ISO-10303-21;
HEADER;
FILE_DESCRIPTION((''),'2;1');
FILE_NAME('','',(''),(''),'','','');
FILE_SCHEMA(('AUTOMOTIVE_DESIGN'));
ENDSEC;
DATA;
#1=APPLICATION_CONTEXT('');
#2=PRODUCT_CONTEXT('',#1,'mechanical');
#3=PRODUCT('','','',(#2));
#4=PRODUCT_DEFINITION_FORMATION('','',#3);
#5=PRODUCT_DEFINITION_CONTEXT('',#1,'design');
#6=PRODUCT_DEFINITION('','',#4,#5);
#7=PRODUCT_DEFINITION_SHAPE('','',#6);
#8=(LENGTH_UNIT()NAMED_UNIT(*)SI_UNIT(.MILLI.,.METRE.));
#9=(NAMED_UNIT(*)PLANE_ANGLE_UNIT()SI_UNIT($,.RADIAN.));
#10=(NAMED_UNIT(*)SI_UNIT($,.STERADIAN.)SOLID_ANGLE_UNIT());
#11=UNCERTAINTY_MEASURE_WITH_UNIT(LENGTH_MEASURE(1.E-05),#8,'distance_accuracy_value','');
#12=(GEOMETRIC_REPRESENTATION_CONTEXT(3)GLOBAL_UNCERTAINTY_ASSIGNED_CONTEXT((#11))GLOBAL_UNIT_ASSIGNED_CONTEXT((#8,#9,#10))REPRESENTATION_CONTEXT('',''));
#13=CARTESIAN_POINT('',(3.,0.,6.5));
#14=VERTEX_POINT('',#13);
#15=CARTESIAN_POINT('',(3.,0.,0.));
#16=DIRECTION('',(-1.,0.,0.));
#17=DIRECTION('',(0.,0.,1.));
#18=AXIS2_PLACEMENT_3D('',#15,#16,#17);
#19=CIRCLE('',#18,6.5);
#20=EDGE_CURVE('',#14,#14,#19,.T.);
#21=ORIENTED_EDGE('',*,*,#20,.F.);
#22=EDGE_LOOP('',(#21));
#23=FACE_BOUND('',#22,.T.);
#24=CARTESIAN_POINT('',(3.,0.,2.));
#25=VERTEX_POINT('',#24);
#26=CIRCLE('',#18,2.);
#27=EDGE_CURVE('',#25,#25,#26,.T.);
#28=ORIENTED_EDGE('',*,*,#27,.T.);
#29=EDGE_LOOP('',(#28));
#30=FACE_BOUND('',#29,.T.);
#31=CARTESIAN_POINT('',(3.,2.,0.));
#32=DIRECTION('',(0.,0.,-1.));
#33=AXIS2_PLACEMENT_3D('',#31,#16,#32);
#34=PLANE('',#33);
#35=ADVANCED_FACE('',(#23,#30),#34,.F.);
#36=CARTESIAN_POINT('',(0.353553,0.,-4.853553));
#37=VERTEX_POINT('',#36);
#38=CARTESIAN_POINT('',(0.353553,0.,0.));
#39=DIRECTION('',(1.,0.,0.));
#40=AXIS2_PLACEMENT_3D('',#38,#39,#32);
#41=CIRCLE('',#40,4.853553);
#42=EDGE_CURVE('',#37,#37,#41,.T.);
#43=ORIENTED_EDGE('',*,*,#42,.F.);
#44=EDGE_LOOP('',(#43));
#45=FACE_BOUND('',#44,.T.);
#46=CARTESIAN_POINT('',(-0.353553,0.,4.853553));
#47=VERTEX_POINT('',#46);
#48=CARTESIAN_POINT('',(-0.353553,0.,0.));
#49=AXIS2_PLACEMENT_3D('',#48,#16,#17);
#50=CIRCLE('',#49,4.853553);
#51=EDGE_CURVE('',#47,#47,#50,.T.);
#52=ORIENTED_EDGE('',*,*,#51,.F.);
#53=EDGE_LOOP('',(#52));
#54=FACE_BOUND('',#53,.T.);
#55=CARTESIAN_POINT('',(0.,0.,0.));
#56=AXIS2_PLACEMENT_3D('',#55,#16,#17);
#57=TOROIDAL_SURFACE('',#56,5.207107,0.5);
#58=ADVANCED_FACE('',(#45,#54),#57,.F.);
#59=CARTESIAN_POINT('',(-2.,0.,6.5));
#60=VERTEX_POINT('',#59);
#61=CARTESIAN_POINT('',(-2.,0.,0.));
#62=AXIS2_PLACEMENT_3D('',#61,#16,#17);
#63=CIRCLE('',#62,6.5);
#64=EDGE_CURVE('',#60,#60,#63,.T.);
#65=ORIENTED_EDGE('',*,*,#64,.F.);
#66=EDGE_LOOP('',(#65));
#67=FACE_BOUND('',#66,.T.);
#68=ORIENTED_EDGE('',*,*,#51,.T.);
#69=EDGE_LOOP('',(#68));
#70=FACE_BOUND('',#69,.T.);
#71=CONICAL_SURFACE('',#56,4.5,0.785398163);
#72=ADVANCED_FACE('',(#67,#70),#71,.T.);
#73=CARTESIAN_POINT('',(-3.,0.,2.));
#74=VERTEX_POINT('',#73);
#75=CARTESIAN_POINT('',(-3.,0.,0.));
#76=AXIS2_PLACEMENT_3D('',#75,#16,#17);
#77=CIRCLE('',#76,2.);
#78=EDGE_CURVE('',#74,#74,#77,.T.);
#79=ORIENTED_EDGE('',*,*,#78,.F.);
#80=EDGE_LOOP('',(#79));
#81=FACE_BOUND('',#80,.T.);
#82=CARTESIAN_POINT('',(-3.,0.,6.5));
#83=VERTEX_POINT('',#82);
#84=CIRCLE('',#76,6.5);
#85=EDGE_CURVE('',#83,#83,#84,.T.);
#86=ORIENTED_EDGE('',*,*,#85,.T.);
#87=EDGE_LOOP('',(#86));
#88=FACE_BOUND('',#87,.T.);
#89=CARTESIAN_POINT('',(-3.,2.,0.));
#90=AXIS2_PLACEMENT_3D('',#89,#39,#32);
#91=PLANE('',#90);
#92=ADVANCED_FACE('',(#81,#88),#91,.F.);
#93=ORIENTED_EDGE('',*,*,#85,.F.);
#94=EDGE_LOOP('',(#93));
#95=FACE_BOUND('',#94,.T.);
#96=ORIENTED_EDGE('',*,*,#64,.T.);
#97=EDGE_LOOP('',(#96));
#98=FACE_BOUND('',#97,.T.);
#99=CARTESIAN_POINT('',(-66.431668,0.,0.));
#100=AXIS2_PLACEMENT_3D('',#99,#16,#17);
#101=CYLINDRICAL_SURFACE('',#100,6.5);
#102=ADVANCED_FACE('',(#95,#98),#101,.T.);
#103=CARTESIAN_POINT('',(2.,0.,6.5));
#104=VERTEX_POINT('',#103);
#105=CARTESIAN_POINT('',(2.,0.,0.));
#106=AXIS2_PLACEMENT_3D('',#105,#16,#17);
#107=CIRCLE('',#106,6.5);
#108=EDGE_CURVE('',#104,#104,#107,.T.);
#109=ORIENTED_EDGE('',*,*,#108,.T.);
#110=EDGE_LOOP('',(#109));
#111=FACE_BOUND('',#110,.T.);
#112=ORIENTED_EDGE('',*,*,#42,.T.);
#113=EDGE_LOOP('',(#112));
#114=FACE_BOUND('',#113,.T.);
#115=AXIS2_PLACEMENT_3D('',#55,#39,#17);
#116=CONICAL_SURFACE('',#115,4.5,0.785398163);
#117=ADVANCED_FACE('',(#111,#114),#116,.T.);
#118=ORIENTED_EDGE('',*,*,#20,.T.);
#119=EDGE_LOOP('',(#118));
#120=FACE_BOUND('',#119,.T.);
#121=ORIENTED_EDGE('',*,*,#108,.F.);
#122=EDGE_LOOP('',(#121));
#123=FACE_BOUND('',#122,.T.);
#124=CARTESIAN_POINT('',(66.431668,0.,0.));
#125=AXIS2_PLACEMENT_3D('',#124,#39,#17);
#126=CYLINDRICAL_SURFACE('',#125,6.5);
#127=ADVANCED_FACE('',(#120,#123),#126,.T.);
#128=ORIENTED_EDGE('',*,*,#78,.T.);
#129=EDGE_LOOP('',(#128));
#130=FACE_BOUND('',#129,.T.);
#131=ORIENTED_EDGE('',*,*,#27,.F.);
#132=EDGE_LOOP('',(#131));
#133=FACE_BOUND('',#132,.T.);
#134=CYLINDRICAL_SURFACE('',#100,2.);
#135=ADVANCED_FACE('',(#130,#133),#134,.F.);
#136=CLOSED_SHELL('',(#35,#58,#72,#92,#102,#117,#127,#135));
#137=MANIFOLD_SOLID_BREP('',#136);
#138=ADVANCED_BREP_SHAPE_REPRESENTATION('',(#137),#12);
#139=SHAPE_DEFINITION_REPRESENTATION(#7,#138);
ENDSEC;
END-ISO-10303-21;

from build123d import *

# Parameters (mm, degrees)
FILLET_1_R = 0.5


with BuildPart() as part:
    # 草图1 → 旋转1 (revolve)
    with BuildSketch(Plane.XY, mode=Mode.PRIVATE) as revolve_1_sk:
        Polygon((0, 2), (-3, 2), (-3, 6.5), (-2, 6.5), (0, 4.5), align=None)
    revolve_1 = revolve(revolve_1_sk.sketch.rotate(Axis((-66.431667693, 0, 0), (1, 0, 0)), 90), axis=Axis((-66.431667693, 0, 0), (1, 0, 0)))

    # 镜向1: 旋转1 across plane
    add(revolve_1.mirror(Plane(origin=(0, 0, 0), x_dir=(0, 0, 1), z_dir=(1, 0, 0))))

    # 圆角1
    fillet_1_edges = [part.edges().sort_by_distance(p)[0] for p in [
        (0, 0, -4.5),
    ]]
    fillet(fillet_1_edges, radius=FILLET_1_R)


solid = part.part
